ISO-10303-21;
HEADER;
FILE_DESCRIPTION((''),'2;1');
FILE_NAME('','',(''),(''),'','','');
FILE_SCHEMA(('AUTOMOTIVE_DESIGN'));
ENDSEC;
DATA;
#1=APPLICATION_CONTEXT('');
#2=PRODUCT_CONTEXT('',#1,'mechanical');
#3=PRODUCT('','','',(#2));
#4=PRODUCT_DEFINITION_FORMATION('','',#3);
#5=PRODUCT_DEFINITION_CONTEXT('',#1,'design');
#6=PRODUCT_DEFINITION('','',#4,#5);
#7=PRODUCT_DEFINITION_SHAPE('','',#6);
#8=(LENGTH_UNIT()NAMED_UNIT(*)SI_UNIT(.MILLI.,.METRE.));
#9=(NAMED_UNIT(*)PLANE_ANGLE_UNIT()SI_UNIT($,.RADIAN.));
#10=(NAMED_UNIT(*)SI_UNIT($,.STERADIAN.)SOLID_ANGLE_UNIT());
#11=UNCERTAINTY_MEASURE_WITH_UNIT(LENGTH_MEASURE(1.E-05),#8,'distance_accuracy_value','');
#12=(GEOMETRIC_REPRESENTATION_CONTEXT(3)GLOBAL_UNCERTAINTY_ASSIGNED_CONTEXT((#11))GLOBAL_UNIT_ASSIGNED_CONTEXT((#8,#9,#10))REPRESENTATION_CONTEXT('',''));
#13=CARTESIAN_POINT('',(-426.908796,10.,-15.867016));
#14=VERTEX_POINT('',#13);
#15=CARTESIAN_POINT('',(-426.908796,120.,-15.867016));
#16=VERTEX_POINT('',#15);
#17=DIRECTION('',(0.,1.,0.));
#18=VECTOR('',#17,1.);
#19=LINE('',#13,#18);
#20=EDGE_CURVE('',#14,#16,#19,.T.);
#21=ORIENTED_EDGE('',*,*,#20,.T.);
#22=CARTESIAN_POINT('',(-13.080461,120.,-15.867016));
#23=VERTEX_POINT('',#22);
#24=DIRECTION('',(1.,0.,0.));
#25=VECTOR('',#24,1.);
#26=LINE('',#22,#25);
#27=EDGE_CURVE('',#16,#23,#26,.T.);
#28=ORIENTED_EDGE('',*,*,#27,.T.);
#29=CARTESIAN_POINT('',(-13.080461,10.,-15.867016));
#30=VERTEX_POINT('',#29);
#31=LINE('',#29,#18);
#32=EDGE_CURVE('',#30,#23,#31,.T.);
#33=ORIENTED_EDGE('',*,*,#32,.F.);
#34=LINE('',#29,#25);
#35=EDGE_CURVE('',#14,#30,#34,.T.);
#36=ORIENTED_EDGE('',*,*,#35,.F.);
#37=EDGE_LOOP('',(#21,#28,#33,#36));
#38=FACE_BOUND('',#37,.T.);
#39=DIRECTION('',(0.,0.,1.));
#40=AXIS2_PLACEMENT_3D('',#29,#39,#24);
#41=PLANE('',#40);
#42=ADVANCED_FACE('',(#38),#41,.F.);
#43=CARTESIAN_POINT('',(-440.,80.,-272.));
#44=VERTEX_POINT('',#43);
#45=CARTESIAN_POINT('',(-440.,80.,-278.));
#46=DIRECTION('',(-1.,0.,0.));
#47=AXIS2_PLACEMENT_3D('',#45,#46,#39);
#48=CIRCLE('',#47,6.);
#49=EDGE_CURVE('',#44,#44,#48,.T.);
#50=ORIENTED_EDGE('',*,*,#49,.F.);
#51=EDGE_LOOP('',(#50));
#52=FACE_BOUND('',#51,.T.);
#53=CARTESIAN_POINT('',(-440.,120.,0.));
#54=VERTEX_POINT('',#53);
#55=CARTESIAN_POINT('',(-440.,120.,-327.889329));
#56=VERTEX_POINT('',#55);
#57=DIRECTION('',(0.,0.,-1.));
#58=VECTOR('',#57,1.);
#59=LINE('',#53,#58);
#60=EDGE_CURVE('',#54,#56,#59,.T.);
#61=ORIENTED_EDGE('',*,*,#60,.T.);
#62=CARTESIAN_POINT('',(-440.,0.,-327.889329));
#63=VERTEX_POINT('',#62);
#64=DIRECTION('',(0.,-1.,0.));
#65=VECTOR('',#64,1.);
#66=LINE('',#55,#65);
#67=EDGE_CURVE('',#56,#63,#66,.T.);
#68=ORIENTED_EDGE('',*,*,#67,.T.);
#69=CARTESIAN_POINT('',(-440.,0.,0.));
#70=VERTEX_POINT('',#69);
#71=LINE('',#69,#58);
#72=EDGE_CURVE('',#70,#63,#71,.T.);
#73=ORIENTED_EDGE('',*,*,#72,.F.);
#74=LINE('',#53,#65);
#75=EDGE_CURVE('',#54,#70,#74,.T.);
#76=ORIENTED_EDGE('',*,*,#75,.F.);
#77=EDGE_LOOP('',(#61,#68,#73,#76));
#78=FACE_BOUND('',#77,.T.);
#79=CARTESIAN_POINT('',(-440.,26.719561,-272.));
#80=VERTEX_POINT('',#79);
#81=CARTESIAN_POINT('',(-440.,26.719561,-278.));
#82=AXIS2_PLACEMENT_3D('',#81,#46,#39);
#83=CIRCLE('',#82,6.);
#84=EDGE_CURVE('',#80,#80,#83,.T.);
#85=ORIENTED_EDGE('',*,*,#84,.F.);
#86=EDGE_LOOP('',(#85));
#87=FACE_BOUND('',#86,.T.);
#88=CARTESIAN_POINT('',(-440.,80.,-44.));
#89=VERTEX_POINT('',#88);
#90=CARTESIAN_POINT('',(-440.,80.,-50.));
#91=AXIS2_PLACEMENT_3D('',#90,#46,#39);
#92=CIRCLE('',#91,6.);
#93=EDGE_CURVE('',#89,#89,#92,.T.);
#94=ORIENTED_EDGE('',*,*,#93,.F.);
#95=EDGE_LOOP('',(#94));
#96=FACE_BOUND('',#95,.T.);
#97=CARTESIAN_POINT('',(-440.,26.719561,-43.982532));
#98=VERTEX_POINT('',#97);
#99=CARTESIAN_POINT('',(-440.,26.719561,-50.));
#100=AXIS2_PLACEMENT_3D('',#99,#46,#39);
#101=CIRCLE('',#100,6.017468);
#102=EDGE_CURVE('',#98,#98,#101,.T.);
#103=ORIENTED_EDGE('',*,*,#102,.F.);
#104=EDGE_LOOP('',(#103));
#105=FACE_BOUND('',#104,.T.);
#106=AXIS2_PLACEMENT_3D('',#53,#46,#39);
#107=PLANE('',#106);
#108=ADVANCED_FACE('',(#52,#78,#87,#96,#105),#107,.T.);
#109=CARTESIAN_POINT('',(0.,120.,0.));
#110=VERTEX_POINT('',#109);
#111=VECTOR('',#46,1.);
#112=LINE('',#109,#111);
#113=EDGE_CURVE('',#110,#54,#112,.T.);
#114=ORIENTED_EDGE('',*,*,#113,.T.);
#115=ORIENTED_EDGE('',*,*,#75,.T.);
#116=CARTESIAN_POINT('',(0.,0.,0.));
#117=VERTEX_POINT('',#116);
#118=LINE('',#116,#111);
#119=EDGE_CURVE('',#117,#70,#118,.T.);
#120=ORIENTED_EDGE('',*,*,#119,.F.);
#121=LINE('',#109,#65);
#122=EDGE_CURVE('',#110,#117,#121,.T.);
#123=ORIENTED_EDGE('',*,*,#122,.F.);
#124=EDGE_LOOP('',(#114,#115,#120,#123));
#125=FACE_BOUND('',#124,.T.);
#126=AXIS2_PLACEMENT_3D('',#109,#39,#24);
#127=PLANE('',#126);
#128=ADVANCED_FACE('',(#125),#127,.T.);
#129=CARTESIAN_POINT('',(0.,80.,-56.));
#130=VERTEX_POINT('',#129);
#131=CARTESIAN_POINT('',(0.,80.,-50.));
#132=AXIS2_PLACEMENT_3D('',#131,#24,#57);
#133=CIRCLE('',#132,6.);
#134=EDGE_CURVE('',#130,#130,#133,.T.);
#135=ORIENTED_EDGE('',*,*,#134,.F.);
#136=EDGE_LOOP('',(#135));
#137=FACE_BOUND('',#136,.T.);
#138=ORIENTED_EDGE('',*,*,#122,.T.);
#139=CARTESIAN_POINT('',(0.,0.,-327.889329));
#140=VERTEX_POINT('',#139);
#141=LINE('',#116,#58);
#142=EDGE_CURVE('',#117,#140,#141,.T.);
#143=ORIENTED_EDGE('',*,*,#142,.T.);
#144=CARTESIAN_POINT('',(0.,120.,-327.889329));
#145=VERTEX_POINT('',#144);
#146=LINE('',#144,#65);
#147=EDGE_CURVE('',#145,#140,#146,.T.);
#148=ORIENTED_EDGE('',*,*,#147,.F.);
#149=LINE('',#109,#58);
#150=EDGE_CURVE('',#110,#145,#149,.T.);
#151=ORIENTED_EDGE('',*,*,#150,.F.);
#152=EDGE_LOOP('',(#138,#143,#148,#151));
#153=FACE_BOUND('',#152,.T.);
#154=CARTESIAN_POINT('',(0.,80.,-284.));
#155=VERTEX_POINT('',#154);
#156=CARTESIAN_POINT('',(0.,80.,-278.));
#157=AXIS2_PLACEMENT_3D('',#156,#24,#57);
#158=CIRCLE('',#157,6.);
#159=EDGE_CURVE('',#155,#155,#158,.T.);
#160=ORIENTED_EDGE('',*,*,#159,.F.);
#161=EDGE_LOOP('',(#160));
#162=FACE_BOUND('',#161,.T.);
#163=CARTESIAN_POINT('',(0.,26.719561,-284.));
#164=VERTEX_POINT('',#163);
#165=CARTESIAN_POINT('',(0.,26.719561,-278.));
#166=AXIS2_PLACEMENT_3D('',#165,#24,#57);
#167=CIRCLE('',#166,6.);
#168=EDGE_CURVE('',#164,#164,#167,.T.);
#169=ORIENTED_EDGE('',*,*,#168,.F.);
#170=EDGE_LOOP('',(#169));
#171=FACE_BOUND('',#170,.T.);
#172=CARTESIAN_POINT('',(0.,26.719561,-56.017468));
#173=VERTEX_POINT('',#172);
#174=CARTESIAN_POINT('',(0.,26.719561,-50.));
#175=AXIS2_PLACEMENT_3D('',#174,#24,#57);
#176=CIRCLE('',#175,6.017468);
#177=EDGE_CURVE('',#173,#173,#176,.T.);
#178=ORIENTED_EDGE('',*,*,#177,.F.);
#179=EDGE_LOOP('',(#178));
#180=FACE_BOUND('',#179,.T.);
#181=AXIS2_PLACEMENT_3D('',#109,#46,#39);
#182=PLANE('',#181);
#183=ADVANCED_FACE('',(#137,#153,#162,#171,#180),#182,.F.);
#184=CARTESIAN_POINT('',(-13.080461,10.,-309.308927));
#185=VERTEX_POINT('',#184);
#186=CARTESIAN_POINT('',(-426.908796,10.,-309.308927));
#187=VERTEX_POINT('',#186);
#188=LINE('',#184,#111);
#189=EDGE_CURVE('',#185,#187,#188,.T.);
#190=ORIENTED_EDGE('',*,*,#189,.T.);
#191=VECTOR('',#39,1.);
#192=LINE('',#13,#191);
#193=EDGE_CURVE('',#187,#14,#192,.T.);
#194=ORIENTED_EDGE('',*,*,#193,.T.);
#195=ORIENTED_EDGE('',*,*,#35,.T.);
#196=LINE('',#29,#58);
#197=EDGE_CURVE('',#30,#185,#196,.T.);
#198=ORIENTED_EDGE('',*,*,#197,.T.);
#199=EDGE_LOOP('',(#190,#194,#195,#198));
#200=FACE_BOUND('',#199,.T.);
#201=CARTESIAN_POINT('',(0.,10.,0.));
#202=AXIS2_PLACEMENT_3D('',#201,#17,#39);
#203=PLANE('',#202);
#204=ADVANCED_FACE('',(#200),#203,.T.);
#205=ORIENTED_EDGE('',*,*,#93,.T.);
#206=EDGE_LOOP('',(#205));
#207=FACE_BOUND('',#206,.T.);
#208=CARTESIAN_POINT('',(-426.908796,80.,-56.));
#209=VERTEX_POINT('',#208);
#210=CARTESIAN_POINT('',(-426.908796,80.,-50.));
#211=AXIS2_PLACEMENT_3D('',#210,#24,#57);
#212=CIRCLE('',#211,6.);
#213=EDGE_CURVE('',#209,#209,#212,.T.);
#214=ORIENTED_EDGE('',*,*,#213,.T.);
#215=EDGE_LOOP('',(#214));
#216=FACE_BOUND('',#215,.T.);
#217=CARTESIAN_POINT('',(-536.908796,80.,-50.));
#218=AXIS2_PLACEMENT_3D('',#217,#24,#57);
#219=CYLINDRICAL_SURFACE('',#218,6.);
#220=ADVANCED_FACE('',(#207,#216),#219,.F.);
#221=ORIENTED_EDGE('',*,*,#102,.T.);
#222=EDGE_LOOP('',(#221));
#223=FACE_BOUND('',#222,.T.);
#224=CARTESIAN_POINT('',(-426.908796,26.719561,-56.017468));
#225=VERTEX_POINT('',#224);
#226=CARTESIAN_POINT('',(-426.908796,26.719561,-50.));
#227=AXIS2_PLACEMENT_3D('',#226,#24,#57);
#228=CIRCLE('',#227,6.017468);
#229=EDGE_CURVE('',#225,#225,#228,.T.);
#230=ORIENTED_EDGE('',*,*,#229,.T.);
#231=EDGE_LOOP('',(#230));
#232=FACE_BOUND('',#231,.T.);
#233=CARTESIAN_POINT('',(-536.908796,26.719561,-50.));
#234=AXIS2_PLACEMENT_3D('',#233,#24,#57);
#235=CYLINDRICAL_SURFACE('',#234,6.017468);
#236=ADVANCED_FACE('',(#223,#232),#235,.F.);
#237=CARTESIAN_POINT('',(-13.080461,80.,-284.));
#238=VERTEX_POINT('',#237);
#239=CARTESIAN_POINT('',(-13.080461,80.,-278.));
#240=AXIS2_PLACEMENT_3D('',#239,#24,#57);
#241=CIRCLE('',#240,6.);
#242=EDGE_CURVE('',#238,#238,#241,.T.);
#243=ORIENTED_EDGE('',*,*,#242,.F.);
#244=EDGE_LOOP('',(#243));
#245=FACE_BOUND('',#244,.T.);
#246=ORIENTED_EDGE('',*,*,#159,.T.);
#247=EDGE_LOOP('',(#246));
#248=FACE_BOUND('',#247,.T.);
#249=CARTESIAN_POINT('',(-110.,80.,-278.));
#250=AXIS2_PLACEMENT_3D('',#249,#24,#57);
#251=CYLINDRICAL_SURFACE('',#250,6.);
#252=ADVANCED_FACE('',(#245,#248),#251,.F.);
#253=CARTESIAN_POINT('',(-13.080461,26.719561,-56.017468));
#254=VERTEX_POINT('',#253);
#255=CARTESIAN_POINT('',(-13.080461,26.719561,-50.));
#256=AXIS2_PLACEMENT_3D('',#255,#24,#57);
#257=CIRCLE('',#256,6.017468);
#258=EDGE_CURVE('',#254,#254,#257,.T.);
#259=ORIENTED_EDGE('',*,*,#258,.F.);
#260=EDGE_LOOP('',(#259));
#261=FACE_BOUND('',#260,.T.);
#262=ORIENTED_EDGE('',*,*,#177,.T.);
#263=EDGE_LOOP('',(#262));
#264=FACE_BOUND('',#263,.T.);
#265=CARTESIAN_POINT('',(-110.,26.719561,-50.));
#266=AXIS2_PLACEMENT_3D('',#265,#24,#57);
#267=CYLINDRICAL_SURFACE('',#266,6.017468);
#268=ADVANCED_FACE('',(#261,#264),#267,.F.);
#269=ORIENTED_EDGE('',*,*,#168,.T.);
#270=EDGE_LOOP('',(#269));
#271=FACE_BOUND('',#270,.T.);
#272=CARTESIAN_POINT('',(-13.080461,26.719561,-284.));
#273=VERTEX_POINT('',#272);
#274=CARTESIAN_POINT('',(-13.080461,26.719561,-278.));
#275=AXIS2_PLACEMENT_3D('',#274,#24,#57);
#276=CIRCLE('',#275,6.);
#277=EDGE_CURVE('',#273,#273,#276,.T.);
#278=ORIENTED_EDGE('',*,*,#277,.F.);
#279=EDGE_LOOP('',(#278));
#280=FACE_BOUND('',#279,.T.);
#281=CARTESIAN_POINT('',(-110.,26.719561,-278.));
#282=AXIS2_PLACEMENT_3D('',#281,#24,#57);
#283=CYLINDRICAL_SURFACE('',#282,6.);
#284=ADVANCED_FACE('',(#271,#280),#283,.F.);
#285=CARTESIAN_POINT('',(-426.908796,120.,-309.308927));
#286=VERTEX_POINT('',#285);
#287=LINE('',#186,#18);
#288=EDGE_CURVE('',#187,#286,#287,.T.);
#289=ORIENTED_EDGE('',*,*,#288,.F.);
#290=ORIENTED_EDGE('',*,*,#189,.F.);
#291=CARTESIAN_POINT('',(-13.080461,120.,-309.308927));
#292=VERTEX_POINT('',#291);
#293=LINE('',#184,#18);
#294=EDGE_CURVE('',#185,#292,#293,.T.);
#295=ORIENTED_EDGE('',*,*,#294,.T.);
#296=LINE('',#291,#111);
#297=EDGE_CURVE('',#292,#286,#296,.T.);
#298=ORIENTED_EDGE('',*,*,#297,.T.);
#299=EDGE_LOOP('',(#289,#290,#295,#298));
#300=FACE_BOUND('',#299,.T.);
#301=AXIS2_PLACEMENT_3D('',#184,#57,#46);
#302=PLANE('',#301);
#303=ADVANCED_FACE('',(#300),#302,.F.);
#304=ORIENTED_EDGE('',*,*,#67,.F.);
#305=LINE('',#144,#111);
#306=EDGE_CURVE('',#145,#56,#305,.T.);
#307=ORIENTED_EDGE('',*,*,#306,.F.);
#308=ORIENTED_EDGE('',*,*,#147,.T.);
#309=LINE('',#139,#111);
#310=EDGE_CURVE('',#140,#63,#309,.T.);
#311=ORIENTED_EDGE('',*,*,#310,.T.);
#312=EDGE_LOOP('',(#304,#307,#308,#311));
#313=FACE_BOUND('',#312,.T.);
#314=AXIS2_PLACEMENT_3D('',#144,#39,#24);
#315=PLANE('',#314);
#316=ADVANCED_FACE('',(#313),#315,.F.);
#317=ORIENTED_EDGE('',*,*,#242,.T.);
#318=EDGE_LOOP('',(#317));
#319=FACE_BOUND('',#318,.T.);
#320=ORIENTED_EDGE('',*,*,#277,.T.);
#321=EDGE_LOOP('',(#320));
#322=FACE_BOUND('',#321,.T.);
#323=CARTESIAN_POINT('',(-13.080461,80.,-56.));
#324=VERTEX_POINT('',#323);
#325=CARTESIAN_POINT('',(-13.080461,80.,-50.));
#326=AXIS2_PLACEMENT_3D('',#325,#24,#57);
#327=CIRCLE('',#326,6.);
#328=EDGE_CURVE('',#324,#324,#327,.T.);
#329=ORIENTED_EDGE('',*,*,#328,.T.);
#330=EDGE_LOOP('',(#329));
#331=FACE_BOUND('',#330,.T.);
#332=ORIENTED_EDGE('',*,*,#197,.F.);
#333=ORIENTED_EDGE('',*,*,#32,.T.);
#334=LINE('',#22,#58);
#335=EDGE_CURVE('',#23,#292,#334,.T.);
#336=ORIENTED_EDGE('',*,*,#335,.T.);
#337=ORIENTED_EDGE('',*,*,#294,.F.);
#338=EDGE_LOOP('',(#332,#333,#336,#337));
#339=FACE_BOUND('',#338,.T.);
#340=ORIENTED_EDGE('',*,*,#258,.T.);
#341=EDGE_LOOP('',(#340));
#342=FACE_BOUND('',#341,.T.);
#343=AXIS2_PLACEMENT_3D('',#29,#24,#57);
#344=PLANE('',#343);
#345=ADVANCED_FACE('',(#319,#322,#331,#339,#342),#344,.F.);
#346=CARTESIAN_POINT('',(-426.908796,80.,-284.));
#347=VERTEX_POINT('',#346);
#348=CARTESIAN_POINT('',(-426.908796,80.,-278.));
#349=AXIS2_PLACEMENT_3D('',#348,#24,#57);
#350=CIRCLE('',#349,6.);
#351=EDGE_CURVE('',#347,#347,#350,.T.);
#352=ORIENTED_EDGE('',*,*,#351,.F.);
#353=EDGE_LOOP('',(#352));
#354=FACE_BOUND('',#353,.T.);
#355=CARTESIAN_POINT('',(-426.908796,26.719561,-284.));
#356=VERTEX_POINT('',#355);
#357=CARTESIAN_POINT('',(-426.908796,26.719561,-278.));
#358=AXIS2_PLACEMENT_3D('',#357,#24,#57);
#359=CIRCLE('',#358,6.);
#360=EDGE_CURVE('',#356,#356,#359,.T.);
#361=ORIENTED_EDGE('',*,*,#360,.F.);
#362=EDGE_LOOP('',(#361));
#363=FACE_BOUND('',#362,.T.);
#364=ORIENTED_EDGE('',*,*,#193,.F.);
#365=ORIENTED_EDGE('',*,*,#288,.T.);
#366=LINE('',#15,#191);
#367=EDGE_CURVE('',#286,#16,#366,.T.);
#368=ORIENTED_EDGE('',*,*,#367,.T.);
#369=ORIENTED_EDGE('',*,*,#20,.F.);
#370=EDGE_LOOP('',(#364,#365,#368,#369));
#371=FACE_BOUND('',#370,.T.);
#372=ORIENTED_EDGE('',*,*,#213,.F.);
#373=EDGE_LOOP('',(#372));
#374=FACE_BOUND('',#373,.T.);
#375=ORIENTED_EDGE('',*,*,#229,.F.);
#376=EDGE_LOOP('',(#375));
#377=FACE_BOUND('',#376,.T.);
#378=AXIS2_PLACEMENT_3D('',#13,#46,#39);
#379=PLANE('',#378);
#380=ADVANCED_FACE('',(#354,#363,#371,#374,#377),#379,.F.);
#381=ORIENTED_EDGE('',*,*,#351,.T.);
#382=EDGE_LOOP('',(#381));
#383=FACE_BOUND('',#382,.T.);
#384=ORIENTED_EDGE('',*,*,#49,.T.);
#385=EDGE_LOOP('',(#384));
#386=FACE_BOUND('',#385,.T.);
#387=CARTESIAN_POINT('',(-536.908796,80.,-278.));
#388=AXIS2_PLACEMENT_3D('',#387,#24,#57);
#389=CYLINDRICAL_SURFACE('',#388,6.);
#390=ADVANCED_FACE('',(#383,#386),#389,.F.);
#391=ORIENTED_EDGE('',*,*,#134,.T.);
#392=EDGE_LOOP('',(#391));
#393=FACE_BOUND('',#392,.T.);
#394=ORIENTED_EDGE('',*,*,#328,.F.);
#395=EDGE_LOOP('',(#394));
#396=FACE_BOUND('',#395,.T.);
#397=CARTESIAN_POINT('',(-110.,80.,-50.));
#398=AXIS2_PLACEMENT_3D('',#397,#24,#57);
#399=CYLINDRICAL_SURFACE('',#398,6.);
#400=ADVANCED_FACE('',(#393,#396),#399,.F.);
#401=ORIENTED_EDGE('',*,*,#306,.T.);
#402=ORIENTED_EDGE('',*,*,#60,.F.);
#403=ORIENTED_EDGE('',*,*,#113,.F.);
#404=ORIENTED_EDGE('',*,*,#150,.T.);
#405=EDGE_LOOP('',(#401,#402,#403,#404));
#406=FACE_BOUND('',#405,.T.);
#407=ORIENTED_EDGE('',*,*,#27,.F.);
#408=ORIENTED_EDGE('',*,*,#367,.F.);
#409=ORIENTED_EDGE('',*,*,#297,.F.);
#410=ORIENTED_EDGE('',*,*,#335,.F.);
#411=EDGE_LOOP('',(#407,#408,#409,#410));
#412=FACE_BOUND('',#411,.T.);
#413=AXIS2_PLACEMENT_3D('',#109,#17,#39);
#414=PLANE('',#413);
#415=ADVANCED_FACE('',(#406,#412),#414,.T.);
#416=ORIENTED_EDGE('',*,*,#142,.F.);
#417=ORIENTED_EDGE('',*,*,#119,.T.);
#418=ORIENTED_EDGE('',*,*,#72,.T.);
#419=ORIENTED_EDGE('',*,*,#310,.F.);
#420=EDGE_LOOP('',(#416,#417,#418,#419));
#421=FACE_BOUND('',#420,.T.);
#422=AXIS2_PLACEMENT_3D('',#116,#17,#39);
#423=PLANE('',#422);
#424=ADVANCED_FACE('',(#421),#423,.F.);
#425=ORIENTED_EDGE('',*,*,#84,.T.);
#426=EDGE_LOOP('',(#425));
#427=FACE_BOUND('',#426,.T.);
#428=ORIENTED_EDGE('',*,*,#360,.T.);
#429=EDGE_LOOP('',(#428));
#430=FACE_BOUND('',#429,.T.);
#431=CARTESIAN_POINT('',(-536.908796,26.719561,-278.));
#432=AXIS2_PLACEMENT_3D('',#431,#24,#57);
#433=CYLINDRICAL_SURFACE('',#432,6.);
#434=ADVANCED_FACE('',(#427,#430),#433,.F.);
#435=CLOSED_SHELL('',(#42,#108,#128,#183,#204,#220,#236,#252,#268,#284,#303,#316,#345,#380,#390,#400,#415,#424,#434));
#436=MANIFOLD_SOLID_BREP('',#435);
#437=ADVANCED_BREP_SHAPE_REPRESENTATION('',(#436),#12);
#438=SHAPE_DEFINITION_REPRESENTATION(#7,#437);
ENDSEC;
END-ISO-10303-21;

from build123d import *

# Parameters (mm, degrees)
SKETCH1_W           = 440
SKETCH1_H           = 327.889328918
BOSS_EXTRUDE1_DEPTH = 120
SKETCH8_W           = 413.828334862
SKETCH8_H           = 293.441910175
CUT_EXTRUDE1_DEPTH  = 110
SKETCH9_R           = 6
SKETCH9_R_2         = 6.017467881
CUT_EXTRUDE4_DEPTH  = 110
SKETCH10_R          = 6
SKETCH10_R_2        = 6.017467881
CUT_EXTRUDE5_DEPTH  = 110


with BuildPart() as part:
    # Sketch1 → Boss-Extrude1 (new body)
    with BuildSketch(Plane(origin=(0, 0, 0), x_dir=(1, 0, 0), z_dir=(0, 1, 0))):
        with Locations((-220, 163.944664459)):
            Rectangle(SKETCH1_W, SKETCH1_H)
    extrude(amount=BOSS_EXTRUDE1_DEPTH)

    # Sketch8 → Cut-Extrude1 (cut)
    with BuildSketch(Plane(origin=(0, 120, 0), x_dir=(1, 0, 0), z_dir=(0, 1, 0))):
        with Locations((-219.994628395, 162.587971533)):
            Rectangle(SKETCH8_W, SKETCH8_H)
    extrude(amount=-CUT_EXTRUDE1_DEPTH, mode=Mode.SUBTRACT)

    # Sketch9 → Cut-Extrude4 (cut)
    with BuildSketch(Plane(origin=(-426.908795826, 0, 0), x_dir=(0, 0, -1), z_dir=(1, 0, 0))):
        with Locations((278, 80)):
            Circle(SKETCH9_R)
        with Locations((278, 26.719560601)):
            Circle(SKETCH9_R)
        with Locations((50, 80)):
            Circle(SKETCH9_R)
        with Locations((50, 26.719560601)):
            Circle(SKETCH9_R_2)
    extrude(amount=-CUT_EXTRUDE4_DEPTH, mode=Mode.SUBTRACT)

    # Sketch10 → Cut-Extrude5 (cut)
    with BuildSketch(Plane(origin=(0, 0, 0), x_dir=(0, 0, -1), z_dir=(1, 0, 0))):
        with Locations((50, 80)):
            Circle(SKETCH10_R)
        with Locations((50, 26.719560601)):
            Circle(SKETCH10_R_2)
        with Locations((278, 26.719560601)):
            Circle(SKETCH10_R)
        with Locations((278, 80)):
            Circle(SKETCH10_R)
    extrude(amount=-CUT_EXTRUDE5_DEPTH, mode=Mode.SUBTRACT)


solid = part.part
